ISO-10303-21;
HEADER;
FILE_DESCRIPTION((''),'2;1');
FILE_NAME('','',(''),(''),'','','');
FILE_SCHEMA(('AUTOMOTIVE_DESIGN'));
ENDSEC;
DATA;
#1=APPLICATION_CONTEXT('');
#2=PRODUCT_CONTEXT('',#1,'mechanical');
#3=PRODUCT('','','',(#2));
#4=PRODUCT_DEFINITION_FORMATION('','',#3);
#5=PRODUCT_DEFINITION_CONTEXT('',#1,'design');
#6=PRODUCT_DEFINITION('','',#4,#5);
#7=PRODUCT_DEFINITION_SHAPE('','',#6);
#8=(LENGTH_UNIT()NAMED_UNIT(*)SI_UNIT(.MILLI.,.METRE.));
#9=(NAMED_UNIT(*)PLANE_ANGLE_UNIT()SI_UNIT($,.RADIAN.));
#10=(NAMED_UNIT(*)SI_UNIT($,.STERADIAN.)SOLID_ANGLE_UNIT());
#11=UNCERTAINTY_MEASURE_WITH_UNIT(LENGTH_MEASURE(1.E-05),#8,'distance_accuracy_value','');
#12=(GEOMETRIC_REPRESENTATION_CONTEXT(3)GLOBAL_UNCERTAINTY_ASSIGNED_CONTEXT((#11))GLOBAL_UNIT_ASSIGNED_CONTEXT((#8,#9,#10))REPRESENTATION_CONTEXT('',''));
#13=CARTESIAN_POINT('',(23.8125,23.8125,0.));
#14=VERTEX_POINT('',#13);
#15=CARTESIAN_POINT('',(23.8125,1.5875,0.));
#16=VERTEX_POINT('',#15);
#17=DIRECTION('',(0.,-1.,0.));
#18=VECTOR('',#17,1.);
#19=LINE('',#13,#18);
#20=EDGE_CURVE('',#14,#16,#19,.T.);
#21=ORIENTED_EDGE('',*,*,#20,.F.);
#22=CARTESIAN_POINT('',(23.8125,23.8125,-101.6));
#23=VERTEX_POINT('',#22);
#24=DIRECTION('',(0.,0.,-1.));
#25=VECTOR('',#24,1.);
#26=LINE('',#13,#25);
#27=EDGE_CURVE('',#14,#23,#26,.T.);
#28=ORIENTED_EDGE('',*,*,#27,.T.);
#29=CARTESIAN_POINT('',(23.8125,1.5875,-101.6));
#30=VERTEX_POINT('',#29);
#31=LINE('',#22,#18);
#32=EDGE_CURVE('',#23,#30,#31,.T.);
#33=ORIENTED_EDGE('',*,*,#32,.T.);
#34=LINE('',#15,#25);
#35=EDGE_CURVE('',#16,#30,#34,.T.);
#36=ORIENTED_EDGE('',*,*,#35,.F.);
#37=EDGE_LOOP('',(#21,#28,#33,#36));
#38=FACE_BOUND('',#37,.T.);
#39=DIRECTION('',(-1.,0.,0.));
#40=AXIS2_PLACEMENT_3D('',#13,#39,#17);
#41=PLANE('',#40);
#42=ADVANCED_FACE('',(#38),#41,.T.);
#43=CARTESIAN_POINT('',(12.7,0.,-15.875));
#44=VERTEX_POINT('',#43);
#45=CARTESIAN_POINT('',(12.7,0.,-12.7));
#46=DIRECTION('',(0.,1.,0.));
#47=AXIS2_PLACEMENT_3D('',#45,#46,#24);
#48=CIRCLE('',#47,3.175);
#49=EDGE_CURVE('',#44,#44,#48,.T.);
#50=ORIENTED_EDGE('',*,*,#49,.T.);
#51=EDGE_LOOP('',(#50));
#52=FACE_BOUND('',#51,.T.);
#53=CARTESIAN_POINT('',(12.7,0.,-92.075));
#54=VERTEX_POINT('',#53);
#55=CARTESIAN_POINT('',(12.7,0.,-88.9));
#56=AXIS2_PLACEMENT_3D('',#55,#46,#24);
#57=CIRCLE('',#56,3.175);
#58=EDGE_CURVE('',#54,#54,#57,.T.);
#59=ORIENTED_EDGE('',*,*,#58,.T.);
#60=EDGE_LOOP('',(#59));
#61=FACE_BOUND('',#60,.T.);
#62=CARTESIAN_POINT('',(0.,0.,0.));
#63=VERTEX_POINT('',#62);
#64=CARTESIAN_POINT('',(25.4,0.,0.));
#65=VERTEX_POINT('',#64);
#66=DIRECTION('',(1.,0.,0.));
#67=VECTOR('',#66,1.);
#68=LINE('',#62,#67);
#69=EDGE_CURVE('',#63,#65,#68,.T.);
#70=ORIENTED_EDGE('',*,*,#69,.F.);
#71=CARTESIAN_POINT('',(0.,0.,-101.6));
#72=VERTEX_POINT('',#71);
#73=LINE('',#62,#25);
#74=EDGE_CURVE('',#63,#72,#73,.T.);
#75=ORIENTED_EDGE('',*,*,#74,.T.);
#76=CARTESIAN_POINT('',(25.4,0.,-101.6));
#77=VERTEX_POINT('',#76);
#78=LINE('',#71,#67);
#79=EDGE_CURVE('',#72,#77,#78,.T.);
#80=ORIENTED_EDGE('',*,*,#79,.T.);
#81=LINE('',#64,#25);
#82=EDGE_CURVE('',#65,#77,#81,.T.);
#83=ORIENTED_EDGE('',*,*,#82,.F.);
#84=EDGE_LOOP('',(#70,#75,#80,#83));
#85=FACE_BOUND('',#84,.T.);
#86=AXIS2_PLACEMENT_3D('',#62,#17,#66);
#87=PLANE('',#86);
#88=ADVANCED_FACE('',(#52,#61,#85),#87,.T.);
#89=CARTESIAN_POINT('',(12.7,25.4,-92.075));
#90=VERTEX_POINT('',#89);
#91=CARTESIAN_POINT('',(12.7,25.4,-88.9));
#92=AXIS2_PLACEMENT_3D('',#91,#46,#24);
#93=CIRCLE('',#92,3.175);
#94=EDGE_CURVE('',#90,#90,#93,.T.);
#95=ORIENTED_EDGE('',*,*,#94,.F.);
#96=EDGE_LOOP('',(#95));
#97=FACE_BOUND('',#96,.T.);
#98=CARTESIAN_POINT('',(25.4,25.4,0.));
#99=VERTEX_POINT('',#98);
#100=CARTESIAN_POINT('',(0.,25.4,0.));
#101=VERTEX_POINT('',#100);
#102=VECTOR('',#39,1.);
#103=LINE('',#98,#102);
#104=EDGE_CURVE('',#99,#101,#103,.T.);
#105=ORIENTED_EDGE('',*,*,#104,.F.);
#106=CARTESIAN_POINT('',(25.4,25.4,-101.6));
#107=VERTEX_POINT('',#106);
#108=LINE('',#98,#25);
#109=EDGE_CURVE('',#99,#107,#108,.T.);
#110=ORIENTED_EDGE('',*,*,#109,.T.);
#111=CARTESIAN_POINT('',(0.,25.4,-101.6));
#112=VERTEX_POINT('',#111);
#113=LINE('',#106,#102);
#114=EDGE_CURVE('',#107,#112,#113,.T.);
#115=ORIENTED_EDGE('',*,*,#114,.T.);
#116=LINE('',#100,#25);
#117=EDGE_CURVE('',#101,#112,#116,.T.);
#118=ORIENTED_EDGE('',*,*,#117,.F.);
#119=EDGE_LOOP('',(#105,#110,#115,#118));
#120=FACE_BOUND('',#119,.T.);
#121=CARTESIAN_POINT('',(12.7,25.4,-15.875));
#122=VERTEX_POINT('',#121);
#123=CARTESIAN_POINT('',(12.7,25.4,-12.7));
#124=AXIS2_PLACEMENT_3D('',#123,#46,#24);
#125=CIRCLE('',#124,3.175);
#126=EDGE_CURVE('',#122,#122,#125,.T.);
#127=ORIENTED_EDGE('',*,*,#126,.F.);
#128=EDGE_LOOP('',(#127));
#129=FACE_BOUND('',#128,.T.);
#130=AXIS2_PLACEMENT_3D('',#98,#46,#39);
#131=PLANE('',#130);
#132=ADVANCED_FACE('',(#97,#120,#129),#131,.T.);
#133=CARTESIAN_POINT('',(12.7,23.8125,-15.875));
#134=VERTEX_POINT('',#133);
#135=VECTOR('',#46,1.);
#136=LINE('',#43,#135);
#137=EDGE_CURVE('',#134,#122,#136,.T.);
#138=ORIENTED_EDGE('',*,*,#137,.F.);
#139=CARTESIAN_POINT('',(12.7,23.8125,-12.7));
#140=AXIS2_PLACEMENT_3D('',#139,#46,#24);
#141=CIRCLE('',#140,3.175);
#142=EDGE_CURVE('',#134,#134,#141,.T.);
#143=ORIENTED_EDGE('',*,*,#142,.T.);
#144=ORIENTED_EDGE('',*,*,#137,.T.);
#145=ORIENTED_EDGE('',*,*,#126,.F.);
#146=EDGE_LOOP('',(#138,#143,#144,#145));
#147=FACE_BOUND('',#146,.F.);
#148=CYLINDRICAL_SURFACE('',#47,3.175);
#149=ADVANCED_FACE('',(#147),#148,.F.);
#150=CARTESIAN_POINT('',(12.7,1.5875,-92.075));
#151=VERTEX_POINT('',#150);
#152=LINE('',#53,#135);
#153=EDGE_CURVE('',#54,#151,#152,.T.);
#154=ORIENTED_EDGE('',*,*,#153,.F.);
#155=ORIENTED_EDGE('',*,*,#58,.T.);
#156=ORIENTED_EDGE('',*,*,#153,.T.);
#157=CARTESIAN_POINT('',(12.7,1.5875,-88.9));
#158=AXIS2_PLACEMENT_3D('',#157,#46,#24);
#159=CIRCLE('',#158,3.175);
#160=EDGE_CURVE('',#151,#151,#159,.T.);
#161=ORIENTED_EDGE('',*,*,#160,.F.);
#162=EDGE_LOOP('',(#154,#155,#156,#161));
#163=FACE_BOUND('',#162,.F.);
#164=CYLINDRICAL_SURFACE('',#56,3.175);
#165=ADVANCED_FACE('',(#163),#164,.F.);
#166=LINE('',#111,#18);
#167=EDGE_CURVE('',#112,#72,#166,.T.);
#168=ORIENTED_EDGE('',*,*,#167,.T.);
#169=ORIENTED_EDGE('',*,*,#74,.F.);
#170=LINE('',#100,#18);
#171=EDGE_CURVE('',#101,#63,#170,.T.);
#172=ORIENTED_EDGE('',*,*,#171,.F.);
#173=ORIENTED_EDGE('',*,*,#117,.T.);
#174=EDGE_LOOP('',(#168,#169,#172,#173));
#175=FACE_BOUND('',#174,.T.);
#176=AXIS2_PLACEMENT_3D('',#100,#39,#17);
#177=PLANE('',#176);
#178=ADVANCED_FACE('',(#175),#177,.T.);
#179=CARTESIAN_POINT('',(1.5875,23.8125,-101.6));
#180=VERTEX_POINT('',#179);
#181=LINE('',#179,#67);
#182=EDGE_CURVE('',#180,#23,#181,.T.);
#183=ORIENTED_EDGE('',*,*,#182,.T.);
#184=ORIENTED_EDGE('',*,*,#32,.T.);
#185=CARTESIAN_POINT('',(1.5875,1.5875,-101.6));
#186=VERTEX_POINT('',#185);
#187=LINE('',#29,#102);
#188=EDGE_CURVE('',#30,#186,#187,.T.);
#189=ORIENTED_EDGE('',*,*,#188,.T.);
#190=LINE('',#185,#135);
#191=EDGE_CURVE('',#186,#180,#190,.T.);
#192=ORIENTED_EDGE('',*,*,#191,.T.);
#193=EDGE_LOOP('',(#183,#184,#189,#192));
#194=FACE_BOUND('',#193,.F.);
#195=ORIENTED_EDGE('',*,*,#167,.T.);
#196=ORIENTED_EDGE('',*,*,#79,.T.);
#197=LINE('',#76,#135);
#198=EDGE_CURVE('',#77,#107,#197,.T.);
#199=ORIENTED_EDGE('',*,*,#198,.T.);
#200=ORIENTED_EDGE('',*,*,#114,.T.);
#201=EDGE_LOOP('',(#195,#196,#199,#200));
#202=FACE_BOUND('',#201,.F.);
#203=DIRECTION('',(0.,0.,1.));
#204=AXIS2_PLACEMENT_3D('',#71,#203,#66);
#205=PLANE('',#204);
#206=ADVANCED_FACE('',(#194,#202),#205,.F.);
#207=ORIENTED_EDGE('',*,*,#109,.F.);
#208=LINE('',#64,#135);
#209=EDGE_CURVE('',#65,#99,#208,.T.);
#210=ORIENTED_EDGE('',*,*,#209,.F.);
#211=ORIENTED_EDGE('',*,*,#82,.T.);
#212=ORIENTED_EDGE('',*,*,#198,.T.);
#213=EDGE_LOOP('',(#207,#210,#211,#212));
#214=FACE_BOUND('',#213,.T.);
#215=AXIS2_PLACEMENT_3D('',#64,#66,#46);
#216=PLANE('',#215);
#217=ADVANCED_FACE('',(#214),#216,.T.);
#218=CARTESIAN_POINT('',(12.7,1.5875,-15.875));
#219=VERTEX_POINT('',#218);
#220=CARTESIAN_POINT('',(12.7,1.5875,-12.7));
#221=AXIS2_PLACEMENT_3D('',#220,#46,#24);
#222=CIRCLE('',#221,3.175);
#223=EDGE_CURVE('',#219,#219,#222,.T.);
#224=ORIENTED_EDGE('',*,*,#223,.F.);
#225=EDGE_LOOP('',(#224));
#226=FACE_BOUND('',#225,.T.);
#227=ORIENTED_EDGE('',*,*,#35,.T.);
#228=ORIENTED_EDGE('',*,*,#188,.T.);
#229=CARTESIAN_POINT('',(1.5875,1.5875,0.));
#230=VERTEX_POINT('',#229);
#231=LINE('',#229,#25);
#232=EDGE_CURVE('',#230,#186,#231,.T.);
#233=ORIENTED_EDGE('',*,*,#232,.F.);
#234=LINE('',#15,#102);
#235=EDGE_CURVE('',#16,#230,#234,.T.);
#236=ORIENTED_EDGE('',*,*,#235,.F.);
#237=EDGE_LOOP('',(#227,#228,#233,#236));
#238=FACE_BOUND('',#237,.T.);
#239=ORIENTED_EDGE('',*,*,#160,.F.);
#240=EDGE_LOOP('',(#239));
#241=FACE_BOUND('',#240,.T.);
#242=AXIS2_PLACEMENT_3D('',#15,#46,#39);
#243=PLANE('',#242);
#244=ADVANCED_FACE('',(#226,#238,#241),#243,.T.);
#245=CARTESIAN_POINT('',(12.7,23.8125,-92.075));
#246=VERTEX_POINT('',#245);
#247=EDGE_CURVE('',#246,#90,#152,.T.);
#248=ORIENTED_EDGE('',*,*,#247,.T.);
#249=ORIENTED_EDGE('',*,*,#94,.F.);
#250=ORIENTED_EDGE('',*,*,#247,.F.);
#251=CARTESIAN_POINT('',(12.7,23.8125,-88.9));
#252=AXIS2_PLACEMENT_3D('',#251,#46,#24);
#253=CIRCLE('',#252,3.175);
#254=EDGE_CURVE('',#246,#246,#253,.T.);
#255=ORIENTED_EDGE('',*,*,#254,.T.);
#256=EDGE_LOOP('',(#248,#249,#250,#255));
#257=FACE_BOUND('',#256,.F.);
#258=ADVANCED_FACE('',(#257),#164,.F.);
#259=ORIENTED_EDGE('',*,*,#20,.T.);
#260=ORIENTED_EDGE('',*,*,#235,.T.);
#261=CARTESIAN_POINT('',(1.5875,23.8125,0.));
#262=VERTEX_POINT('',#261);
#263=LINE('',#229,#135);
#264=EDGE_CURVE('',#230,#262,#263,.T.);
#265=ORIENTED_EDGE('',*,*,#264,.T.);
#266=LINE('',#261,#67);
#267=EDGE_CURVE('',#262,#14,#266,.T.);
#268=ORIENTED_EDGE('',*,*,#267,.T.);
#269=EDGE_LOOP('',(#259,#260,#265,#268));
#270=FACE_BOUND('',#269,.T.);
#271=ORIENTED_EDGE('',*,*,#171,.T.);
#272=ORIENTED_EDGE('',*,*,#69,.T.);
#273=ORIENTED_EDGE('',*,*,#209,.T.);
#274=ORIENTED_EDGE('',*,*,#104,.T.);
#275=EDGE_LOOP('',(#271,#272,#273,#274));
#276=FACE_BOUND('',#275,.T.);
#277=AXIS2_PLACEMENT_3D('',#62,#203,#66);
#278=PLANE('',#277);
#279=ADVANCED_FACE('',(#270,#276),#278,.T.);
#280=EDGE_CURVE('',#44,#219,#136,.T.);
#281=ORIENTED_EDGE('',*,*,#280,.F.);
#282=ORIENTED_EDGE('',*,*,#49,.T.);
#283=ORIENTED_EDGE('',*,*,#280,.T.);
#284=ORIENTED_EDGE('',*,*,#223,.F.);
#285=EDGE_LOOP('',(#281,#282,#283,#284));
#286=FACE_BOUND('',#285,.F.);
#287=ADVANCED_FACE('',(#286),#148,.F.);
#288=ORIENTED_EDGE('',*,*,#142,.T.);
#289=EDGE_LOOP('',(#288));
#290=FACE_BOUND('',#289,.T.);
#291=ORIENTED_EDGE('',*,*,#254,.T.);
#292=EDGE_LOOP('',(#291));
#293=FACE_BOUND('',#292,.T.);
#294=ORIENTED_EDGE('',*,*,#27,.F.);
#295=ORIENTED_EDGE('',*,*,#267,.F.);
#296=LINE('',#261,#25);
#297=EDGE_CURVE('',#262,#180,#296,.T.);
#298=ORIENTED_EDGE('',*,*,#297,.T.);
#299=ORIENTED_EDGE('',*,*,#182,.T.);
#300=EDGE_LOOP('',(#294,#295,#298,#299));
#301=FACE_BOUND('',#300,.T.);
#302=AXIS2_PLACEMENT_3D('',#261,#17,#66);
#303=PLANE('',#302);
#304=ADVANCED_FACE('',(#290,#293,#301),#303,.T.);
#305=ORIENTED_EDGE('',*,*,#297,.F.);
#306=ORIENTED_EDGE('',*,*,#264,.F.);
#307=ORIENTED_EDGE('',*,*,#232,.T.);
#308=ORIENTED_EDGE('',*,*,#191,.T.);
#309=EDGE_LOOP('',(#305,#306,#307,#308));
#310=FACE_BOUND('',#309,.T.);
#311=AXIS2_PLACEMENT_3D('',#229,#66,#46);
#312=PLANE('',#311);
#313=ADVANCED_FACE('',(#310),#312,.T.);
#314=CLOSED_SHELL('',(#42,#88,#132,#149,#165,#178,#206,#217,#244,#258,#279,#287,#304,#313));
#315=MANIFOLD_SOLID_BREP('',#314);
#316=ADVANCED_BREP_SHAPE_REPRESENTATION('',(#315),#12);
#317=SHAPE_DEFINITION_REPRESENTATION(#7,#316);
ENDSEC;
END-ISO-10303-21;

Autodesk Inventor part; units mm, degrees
ref_plane "YZ Plane" through (0, 0, 0) normal (1, 0, 0) x (0, 1, 0)
ref_plane "XZ Plane" through (0, 0, 0) normal (0, 1, 0) x (-1, 0, 0)
ref_plane "XY Plane" through (0, 0, 0) normal (0, 0, 1) x (1, 0, 0)
sketch "Sketch1" plane through (0, 0, 0) normal (0, 0, 1) x (1, 0, 0)
  line L0 (0, 0) -> (25.4, 0)
  line L1 (25.4, 0) -> (25.4, 25.4)
  line L2 (25.4, 25.4) -> (0, 25.4)
  line L3 (0, 25.4) -> (0, 0)
  line L4 (1.5875, 23.8125) -> (23.8125, 23.8125)
  line L5 (23.8125, 23.8125) -> (23.8125, 1.5875)
  line L6 (23.8125, 1.5875) -> (1.5875, 1.5875)
  line L7 (1.5875, 1.5875) -> (1.5875, 23.8125)
  dimension "d0" = 25.4
  dimension "d1" = 25.4
  dimension "d2" = 1.5875
extrude "Extrusion1" add sketch "Sketch1" against normal blind 101.6
sketch "Sketch3" plane through (0, 0, 0) normal (0, -1, 0) x (1, 0, 0)
  line L0 (0, -101.6) -> (25.4, -101.6) projected
  line L1 (0, 0) -> (25.4, 0) projected
  point P0 (12.7, -12.7)
  point P1 (12.7, -88.9)
  dimension "d7" = 12.7
  dimension "d8" = 12.7
hole "Hole2" at (12.7, 0, -12.7) at (12.7, 0, -88.9) direction (0, 1, 0) diameter 6.35 depth 25.4 tip angle 118
properties part number "tube_r_f_out"
